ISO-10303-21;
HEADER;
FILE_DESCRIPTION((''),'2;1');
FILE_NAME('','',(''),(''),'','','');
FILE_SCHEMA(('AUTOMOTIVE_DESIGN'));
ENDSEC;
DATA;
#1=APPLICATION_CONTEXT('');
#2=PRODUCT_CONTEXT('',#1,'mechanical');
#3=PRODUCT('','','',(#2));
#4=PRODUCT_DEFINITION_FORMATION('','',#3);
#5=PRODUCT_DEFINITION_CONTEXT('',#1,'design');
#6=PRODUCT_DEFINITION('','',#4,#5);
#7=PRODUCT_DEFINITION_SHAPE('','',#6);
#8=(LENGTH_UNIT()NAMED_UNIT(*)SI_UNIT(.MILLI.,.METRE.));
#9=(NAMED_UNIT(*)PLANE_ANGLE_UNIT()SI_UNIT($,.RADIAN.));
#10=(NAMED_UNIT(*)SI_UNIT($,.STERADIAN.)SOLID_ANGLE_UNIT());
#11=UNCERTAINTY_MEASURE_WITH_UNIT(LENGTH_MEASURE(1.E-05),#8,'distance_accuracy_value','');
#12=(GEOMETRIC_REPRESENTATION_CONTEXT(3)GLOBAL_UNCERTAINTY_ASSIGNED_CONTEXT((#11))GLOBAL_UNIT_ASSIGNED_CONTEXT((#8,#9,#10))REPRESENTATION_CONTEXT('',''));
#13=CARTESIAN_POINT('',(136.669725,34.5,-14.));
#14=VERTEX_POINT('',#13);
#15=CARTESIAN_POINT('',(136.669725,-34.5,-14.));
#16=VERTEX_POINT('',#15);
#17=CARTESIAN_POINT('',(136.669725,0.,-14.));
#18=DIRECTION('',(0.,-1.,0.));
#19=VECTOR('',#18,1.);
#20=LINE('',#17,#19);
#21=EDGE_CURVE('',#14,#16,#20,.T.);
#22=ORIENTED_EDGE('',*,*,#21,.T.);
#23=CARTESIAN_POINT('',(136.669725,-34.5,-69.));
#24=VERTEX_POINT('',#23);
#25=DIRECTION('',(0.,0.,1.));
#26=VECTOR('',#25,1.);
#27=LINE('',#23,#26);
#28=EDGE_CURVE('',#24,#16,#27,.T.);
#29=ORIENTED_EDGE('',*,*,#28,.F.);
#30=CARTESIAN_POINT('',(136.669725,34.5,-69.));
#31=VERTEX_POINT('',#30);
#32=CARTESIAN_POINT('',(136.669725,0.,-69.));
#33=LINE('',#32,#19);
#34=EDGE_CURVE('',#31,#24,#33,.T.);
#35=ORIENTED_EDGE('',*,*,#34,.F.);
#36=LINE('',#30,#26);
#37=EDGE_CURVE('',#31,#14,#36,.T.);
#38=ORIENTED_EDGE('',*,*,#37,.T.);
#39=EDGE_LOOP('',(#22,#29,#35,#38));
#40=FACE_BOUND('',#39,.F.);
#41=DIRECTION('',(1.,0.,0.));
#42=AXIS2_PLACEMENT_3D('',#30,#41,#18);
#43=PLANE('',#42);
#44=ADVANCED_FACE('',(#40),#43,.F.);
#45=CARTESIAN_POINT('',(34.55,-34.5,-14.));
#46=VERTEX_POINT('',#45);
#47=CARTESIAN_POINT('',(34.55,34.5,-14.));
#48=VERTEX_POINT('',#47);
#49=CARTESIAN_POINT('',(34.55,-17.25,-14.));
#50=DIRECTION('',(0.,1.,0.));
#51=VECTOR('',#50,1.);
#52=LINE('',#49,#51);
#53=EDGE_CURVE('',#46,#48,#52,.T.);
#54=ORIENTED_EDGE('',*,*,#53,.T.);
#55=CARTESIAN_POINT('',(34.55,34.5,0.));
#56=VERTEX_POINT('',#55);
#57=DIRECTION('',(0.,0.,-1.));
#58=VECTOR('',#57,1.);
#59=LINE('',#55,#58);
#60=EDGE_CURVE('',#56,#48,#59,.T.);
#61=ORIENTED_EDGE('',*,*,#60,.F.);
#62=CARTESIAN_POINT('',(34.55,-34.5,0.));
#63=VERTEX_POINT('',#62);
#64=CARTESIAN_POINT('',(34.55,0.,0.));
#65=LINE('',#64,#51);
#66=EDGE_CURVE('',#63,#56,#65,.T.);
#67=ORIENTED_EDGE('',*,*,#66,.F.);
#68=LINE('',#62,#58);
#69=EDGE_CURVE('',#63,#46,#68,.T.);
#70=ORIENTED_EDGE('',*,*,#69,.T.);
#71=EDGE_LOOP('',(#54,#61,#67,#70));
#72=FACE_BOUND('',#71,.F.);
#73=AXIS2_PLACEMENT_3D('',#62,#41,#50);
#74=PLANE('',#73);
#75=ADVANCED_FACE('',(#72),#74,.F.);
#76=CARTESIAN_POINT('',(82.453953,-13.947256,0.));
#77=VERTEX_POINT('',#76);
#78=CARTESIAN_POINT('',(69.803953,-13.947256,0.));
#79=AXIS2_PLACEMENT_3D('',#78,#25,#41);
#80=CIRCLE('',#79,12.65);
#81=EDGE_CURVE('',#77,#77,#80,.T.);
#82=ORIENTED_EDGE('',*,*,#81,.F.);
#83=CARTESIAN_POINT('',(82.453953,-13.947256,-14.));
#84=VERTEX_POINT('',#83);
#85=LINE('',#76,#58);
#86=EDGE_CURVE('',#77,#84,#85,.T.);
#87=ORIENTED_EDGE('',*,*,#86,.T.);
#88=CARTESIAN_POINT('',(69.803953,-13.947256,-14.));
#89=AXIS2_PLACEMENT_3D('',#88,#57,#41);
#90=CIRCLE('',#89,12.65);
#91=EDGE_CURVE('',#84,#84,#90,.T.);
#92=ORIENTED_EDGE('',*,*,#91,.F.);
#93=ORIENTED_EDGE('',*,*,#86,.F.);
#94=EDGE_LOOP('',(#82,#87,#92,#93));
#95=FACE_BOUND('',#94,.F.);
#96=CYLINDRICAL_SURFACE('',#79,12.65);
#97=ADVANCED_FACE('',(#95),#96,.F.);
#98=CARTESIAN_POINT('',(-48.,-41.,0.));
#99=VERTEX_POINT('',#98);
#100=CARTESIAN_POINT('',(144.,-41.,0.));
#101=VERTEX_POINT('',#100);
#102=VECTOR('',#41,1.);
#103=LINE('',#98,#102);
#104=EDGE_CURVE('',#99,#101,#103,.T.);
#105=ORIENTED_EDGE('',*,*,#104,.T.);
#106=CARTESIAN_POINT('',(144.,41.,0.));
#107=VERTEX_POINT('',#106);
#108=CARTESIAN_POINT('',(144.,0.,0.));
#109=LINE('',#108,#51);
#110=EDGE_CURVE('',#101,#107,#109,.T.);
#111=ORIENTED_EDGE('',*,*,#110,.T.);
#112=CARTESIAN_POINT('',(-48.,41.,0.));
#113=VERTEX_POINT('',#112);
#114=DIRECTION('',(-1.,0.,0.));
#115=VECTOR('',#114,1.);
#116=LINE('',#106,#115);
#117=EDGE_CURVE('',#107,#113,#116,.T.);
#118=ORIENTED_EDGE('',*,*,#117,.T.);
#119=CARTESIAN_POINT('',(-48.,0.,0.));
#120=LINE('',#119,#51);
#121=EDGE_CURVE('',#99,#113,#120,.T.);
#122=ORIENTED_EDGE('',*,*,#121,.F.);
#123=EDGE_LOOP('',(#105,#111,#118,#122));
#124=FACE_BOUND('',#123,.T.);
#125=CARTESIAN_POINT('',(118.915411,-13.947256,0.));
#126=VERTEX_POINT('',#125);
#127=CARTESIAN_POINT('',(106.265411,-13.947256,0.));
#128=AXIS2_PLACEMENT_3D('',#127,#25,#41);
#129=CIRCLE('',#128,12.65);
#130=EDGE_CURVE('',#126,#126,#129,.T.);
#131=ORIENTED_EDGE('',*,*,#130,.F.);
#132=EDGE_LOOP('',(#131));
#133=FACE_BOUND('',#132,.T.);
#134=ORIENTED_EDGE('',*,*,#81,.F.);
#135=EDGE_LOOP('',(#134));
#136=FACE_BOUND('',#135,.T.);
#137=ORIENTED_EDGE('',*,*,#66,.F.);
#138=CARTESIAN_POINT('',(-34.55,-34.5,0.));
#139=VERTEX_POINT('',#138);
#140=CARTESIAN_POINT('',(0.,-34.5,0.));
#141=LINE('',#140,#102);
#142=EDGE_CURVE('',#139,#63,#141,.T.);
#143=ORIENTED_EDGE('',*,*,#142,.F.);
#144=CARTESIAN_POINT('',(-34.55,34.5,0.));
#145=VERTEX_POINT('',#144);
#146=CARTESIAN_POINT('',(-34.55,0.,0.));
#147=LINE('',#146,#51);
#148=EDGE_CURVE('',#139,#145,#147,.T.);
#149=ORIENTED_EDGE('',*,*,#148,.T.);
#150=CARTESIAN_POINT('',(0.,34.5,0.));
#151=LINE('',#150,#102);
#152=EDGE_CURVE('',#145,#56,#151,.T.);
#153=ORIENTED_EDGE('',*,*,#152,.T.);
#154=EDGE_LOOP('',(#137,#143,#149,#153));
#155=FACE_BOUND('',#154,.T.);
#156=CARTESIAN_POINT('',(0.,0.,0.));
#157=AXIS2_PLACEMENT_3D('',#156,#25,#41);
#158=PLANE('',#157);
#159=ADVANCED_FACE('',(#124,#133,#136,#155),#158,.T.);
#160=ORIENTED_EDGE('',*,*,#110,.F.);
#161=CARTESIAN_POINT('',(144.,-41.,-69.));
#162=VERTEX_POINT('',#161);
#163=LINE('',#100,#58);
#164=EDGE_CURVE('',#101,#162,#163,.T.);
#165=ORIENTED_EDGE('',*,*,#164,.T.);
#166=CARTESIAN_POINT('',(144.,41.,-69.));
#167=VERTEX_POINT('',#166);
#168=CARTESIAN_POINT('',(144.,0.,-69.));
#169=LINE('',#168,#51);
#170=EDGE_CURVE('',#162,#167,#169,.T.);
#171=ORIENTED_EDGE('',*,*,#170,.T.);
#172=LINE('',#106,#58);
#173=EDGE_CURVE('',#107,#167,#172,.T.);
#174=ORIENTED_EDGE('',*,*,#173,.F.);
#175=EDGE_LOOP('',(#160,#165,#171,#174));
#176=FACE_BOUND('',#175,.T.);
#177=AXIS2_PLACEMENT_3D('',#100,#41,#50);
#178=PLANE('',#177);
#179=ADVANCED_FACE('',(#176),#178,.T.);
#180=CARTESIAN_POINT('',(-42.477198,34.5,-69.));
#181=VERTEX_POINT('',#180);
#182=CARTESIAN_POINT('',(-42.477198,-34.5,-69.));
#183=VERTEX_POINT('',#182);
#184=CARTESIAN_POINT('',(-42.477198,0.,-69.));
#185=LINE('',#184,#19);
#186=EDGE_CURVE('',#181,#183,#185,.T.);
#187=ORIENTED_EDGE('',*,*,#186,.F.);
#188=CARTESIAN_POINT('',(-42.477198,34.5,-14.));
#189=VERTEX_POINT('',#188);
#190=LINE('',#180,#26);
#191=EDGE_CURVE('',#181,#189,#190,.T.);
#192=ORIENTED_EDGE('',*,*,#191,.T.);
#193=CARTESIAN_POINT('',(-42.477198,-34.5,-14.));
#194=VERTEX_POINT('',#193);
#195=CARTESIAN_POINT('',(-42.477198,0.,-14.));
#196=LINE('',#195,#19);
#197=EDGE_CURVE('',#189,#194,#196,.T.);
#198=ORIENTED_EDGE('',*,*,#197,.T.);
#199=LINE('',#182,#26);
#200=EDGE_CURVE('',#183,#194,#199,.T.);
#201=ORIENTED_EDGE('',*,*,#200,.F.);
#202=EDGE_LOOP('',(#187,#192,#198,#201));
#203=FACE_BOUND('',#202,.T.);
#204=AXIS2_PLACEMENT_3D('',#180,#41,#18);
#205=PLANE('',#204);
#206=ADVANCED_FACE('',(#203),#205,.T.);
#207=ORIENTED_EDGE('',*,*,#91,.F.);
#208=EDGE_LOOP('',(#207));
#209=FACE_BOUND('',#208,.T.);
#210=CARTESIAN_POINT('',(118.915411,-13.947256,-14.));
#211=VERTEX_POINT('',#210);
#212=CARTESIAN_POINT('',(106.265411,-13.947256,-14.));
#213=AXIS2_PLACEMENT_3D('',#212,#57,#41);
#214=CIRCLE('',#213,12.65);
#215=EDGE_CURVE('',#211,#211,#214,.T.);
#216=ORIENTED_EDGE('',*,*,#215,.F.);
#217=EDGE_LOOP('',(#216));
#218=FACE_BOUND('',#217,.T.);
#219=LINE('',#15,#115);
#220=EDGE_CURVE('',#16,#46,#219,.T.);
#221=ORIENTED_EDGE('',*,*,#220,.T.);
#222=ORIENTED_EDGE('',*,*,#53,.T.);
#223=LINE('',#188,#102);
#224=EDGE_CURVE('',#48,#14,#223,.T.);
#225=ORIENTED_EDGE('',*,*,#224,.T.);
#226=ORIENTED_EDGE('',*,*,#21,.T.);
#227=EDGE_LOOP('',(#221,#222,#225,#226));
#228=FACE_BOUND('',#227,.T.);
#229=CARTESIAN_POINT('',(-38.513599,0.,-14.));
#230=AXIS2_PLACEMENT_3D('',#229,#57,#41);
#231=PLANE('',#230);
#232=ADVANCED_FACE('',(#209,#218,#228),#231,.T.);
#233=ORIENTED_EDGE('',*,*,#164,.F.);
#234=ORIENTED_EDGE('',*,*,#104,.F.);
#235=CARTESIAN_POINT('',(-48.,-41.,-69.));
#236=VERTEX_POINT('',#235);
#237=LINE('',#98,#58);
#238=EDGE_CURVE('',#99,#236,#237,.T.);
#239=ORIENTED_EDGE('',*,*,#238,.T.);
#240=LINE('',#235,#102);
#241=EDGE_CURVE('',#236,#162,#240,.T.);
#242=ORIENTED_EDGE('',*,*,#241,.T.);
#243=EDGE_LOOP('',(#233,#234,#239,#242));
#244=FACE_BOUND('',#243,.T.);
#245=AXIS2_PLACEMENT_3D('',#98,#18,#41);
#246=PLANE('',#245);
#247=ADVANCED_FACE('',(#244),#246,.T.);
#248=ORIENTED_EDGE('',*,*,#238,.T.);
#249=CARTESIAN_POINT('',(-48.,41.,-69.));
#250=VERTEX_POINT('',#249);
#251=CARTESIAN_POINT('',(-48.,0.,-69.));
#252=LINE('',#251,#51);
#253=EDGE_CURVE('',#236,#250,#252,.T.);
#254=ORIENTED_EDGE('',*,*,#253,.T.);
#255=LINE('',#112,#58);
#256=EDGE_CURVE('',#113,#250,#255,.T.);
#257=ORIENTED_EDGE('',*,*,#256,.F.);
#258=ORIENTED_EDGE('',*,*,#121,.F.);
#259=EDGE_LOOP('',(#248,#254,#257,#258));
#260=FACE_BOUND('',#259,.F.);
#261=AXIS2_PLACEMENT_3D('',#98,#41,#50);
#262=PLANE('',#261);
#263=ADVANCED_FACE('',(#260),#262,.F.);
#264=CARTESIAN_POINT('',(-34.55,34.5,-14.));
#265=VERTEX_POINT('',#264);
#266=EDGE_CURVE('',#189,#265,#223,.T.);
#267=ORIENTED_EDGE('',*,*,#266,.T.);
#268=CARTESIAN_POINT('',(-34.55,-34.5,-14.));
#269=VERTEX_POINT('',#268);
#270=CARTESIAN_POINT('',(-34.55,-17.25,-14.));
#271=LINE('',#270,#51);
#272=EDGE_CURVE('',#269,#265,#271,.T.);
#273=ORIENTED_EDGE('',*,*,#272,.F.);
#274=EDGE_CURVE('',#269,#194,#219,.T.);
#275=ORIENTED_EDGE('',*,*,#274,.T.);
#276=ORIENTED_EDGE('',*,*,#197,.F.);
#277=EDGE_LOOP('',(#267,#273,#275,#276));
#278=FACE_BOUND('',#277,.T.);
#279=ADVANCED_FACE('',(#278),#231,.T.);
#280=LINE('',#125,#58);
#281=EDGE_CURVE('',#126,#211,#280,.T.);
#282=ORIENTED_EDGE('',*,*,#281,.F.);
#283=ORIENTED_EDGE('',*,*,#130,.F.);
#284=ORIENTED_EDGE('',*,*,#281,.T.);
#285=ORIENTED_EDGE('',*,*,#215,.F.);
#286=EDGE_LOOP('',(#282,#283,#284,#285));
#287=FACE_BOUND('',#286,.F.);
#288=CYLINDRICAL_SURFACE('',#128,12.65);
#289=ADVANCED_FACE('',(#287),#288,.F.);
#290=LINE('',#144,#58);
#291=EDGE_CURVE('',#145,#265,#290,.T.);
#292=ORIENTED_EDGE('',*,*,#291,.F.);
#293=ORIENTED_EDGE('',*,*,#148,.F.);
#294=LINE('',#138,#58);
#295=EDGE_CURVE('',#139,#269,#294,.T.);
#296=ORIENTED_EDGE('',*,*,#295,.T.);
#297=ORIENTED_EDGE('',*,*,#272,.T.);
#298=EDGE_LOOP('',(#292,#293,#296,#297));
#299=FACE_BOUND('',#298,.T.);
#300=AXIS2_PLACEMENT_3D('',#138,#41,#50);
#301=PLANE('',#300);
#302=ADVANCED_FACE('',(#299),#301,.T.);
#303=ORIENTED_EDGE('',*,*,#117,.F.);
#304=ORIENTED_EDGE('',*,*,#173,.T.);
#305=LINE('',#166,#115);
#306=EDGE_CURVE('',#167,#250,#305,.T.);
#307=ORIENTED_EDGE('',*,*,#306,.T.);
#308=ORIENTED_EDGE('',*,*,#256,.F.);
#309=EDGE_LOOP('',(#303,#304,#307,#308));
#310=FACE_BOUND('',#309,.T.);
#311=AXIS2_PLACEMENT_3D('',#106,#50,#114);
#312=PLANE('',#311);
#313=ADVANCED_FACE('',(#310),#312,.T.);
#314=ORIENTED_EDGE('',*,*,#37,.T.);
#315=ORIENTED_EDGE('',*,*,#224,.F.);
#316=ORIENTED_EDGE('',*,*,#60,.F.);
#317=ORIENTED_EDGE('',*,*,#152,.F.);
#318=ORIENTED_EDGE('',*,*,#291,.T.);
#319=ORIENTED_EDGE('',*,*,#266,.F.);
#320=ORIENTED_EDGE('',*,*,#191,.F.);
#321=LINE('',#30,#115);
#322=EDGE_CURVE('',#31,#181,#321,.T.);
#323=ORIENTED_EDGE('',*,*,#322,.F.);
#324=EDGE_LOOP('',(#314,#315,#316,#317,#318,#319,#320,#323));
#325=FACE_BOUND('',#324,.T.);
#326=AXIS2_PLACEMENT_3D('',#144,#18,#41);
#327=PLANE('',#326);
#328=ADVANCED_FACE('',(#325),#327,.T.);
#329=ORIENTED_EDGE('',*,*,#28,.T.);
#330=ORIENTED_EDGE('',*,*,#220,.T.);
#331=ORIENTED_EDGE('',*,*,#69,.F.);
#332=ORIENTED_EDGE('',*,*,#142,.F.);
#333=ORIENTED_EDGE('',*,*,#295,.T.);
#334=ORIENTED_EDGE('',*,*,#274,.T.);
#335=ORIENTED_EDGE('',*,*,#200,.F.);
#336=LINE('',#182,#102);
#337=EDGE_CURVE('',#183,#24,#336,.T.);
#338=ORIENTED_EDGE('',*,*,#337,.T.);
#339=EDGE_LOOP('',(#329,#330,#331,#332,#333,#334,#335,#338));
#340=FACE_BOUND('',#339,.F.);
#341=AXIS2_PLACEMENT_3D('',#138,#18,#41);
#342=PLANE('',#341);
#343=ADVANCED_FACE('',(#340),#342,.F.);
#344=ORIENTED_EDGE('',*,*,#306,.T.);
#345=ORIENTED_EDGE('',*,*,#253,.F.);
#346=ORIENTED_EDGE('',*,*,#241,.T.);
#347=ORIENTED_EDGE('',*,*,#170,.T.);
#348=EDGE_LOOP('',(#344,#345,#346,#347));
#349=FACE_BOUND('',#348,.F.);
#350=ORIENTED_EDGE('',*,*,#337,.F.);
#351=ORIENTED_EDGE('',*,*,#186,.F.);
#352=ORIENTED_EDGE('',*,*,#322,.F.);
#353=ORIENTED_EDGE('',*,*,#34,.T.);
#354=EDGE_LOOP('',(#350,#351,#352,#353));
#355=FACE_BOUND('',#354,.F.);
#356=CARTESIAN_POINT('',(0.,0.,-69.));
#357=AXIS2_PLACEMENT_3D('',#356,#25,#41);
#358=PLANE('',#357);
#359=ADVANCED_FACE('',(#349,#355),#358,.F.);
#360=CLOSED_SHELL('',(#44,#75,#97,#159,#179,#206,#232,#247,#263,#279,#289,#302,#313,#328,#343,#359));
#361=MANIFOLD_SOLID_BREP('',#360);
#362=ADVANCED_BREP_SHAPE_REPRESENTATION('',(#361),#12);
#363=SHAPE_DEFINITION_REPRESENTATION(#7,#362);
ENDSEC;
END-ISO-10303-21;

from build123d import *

# Parameters (mm, degrees)
F0_W     = 96
F0_H     = 82
F0_W_2   = 69.1
F0_H_2   = 69
F0_R     = 16.48
F0_R_2   = 12.65
F1_DEPTH = 69
F2_W     = 7.927198
F2_H     = 69
F2_W_2   = 69.1
F2_W_3   = 102.119725
F2_R     = 12.65
F3_DEPTH = 55


with BuildPart() as f1:
    # F0 (on Top) → F1 (new body)
    with BuildSketch(Plane.XY):
        Rectangle(F0_W, F0_H)
        Rectangle(F0_W_2, F0_H_2, mode=Mode.SUBTRACT)
        with Locations((96, 0)):
            Rectangle(F0_W, F0_H)
        with Locations((69.803953, -13.947256)):
            Circle(F0_R, mode=Mode.SUBTRACT)
        with Locations((106.265411, -13.947256)):
            Circle(F0_R, mode=Mode.SUBTRACT)
        with Locations((69.803953, -13.947256)):
            Circle(F0_R)
        with Locations((69.803953, -13.947256)):
            Circle(F0_R_2, mode=Mode.SUBTRACT)
        with Locations((106.265411, -13.947256)):
            Circle(F0_R)
        with Locations((106.265411, -13.947256)):
            Circle(F0_R_2, mode=Mode.SUBTRACT)
    extrude(amount=-F1_DEPTH)

    # F2 (on face) → F3 (cut)
    with BuildSketch(Plane(origin=(0, 0, -69), x_dir=(1, 0, 0), z_dir=(0, 0, -1))):
        with Locations((-38.513599, 0)):
            Rectangle(F2_W, F2_H)
        Rectangle(F2_W_2, F2_H)
        with Locations((85.609862, 0)):
            Rectangle(F2_W_3, F2_H)
        with Locations((69.803953, 13.947256)):
            Circle(F2_R, mode=Mode.SUBTRACT)
        with Locations((106.265411, 13.947256)):
            Circle(F2_R, mode=Mode.SUBTRACT)
    extrude(amount=-F3_DEPTH, mode=Mode.SUBTRACT)


solid = f1.part
